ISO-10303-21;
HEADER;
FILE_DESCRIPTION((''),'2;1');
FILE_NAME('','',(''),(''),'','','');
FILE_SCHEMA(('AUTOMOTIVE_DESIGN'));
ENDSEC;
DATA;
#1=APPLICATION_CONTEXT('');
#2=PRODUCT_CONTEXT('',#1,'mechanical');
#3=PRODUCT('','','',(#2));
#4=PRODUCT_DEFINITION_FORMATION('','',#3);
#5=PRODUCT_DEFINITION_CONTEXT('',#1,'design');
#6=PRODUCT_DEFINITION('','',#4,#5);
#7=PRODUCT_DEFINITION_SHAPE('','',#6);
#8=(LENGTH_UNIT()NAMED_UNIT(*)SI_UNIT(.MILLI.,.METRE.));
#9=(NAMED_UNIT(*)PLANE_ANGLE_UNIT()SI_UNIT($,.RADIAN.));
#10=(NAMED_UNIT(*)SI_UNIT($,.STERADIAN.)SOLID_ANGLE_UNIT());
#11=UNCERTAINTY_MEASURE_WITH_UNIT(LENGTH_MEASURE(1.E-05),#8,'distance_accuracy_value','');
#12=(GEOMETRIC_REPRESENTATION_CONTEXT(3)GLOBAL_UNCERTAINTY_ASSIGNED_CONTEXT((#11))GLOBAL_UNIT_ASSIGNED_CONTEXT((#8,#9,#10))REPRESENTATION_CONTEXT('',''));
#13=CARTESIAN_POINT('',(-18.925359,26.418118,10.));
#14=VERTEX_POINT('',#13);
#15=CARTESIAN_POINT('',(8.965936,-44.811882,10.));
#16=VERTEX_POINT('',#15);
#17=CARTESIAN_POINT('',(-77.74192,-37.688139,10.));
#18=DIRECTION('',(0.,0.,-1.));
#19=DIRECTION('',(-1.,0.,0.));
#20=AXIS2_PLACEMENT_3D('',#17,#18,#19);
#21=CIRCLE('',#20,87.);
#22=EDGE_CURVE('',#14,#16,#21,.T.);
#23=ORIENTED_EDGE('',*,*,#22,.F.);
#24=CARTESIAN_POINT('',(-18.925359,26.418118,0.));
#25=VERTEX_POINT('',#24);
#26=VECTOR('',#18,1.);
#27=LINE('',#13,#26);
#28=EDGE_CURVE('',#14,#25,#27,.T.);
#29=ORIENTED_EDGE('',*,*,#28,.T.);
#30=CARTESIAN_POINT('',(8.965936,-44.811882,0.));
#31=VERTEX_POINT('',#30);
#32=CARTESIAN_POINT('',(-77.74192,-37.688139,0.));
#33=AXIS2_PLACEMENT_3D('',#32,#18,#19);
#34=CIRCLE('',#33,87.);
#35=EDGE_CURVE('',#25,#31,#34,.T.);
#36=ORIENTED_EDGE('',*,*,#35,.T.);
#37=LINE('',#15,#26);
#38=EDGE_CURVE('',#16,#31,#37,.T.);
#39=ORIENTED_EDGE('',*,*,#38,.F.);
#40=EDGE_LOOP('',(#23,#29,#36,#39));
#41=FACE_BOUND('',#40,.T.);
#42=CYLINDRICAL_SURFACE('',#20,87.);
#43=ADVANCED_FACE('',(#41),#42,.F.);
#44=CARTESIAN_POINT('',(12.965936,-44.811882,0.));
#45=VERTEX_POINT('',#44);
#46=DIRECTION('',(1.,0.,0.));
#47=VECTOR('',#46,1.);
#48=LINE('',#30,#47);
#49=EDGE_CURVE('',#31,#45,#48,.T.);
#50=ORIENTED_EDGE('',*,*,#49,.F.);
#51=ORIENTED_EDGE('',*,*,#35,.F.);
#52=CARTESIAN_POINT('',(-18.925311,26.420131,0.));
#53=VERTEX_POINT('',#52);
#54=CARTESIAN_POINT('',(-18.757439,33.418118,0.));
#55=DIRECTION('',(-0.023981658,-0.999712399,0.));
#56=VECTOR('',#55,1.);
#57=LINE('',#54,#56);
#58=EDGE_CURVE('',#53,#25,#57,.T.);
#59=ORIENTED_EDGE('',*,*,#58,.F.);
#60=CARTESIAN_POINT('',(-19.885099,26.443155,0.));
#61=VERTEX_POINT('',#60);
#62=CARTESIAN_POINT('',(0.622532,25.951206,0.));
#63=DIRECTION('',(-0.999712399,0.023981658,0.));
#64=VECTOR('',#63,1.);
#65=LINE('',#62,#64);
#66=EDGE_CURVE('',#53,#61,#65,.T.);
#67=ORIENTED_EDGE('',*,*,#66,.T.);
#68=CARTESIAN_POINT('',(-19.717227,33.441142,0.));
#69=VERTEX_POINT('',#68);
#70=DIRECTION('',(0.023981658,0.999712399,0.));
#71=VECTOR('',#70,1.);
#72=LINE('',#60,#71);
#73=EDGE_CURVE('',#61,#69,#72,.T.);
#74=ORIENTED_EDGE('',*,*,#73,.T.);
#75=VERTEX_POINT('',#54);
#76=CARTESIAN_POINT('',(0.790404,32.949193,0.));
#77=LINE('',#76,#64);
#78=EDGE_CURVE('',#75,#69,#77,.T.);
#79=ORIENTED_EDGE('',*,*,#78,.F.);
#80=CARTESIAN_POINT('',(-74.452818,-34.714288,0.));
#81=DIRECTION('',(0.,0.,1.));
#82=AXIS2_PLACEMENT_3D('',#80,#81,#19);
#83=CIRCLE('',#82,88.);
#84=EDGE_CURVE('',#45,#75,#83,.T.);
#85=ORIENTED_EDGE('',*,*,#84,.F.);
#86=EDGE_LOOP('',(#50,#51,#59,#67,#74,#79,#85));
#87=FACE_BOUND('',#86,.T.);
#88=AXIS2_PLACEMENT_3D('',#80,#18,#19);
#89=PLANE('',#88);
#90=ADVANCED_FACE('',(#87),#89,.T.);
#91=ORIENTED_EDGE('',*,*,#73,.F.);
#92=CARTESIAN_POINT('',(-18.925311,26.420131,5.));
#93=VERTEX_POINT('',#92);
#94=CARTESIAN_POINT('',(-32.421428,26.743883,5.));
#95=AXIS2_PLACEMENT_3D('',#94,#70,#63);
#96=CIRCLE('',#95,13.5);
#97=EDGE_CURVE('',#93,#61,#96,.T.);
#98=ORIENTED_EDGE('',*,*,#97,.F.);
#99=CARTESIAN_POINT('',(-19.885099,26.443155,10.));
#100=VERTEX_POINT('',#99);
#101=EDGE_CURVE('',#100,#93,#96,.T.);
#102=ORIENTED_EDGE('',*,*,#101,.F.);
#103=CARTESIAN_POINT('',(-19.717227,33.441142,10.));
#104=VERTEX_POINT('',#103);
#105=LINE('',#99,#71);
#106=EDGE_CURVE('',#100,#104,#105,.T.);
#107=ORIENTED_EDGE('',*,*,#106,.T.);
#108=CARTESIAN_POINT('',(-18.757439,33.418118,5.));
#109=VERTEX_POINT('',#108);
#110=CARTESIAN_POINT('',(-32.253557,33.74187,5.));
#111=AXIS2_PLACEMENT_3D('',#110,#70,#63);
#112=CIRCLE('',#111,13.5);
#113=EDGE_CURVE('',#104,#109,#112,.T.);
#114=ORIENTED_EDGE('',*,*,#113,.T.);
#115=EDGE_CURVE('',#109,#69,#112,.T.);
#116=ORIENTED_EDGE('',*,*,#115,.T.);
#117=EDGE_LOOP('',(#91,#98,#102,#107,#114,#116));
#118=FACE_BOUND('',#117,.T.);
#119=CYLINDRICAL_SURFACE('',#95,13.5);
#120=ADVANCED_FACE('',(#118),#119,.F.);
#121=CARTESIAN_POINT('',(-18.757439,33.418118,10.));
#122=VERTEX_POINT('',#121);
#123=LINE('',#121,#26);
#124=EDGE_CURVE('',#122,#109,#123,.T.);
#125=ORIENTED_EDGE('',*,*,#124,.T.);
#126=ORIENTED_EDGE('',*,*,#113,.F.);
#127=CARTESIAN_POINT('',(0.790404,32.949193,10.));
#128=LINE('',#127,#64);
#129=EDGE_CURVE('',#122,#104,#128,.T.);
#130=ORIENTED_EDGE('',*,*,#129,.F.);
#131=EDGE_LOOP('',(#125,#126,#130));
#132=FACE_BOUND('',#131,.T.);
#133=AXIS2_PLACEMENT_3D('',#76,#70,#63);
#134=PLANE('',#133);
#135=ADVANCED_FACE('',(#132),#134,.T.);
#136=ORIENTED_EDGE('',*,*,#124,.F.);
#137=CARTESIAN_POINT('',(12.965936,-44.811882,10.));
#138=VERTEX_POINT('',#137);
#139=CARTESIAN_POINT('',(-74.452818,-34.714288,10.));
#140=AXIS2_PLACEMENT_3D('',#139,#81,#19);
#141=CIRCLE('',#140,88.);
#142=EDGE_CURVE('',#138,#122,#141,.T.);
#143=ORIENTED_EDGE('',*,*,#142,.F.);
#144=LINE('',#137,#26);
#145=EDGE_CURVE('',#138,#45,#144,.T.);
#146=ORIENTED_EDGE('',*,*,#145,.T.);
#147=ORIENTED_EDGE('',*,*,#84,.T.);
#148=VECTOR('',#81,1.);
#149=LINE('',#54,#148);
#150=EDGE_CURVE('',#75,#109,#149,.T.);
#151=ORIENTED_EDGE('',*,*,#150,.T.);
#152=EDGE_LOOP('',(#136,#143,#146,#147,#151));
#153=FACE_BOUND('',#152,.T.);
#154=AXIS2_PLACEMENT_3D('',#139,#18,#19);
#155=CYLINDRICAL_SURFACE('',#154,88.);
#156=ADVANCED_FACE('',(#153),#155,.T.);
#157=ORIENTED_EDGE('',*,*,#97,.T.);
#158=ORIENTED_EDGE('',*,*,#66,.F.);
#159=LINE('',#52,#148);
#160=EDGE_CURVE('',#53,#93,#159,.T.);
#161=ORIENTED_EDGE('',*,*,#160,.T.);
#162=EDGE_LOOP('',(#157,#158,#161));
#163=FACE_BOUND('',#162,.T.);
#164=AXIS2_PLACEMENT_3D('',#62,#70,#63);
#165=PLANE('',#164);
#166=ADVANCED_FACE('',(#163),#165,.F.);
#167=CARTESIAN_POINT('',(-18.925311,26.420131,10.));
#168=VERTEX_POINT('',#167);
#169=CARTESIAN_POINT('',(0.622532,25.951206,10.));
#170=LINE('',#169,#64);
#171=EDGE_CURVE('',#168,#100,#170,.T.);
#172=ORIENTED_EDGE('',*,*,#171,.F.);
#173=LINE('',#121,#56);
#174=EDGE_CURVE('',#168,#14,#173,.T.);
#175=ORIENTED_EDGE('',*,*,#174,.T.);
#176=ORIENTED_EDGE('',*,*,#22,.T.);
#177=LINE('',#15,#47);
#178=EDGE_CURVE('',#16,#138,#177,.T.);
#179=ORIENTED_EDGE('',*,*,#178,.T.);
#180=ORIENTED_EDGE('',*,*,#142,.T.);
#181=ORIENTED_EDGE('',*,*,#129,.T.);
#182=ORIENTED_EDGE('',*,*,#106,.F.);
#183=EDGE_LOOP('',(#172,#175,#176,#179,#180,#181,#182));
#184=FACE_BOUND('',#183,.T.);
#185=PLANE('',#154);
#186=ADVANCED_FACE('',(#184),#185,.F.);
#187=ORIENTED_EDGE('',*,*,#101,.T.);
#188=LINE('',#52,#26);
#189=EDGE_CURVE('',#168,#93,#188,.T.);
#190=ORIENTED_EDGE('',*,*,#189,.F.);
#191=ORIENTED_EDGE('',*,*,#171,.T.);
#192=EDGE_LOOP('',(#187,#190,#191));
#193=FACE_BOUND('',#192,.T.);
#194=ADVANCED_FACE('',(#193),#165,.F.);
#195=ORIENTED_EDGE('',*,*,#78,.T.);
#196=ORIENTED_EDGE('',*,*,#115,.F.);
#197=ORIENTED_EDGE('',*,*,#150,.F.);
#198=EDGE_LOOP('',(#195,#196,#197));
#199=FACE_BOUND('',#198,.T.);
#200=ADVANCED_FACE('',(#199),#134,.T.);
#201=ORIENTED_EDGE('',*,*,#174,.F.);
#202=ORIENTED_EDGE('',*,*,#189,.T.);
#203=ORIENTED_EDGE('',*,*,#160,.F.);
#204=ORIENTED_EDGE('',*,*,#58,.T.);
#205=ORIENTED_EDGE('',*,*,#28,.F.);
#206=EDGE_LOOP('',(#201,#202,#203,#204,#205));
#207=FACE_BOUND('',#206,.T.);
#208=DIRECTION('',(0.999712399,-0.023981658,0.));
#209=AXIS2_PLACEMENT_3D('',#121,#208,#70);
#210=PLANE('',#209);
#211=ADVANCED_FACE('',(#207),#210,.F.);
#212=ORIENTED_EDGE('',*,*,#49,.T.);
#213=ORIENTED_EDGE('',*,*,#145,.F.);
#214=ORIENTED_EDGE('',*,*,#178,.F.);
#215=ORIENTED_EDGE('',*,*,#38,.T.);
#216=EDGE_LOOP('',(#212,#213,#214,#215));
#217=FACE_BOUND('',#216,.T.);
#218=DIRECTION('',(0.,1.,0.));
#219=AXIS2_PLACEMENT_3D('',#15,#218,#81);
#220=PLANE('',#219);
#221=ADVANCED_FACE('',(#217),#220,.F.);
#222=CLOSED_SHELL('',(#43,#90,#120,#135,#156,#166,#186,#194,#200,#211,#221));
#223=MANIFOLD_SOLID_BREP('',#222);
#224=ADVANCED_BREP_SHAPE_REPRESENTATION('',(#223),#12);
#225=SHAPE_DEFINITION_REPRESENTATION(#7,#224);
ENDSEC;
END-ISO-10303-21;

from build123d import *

# Parameters (mm, degrees)
BOSS_EXTRUDE1_DEPTH = 10
BOSS_EXTRUDE2_DEPTH = 7


with BuildPart() as part:
    # Sketch1 → Boss-Extrude1 (new body)
    with BuildSketch(Plane.XY):
        with BuildLine():
            Line((-18.757439303, 33.418117649), (-18.925359206, 26.418117649))
            ThreePointArc((-18.925359206, 26.418117649), (3.268987797, -5.966966431), (8.965935836, -44.811882351))
            Line((8.965935836, -44.811882351), (12.965935836, -44.811882351))
            ThreePointArc((12.965935836, -44.811882351), (7.097147968, -1.644619716), (-18.757439303, 33.418117649))
        make_face()
    extrude(amount=BOSS_EXTRUDE1_DEPTH)

    # Sketch2 → Boss-Extrude2 (add)
    with BuildSketch(Plane(origin=(0.790403617, 32.949193093, 0), x_dir=(0, 0, -1), z_dir=(0.02398165846895122, 0.9997123986712771, 0))):
        with BuildLine():
            Line((-10, 20.513530318), (-10, 19.553466522))
            Line((-10, 19.553466522), (-5, 19.553466522))
            ThreePointArc((-5, 19.553466522), (-7.545668993, 19.795654886), (-10, 20.513530318))
        make_face()
        with BuildLine():
            ThreePointArc((0, 20.513530318), (-2.454331007, 19.795654886), (-5, 19.553466522))
            Line((-5, 19.553466522), (0, 19.553466522))
            Line((0, 19.553466522), (0, 20.513530318))
        make_face()
    extrude(amount=-BOSS_EXTRUDE2_DEPTH)


solid = part.part
